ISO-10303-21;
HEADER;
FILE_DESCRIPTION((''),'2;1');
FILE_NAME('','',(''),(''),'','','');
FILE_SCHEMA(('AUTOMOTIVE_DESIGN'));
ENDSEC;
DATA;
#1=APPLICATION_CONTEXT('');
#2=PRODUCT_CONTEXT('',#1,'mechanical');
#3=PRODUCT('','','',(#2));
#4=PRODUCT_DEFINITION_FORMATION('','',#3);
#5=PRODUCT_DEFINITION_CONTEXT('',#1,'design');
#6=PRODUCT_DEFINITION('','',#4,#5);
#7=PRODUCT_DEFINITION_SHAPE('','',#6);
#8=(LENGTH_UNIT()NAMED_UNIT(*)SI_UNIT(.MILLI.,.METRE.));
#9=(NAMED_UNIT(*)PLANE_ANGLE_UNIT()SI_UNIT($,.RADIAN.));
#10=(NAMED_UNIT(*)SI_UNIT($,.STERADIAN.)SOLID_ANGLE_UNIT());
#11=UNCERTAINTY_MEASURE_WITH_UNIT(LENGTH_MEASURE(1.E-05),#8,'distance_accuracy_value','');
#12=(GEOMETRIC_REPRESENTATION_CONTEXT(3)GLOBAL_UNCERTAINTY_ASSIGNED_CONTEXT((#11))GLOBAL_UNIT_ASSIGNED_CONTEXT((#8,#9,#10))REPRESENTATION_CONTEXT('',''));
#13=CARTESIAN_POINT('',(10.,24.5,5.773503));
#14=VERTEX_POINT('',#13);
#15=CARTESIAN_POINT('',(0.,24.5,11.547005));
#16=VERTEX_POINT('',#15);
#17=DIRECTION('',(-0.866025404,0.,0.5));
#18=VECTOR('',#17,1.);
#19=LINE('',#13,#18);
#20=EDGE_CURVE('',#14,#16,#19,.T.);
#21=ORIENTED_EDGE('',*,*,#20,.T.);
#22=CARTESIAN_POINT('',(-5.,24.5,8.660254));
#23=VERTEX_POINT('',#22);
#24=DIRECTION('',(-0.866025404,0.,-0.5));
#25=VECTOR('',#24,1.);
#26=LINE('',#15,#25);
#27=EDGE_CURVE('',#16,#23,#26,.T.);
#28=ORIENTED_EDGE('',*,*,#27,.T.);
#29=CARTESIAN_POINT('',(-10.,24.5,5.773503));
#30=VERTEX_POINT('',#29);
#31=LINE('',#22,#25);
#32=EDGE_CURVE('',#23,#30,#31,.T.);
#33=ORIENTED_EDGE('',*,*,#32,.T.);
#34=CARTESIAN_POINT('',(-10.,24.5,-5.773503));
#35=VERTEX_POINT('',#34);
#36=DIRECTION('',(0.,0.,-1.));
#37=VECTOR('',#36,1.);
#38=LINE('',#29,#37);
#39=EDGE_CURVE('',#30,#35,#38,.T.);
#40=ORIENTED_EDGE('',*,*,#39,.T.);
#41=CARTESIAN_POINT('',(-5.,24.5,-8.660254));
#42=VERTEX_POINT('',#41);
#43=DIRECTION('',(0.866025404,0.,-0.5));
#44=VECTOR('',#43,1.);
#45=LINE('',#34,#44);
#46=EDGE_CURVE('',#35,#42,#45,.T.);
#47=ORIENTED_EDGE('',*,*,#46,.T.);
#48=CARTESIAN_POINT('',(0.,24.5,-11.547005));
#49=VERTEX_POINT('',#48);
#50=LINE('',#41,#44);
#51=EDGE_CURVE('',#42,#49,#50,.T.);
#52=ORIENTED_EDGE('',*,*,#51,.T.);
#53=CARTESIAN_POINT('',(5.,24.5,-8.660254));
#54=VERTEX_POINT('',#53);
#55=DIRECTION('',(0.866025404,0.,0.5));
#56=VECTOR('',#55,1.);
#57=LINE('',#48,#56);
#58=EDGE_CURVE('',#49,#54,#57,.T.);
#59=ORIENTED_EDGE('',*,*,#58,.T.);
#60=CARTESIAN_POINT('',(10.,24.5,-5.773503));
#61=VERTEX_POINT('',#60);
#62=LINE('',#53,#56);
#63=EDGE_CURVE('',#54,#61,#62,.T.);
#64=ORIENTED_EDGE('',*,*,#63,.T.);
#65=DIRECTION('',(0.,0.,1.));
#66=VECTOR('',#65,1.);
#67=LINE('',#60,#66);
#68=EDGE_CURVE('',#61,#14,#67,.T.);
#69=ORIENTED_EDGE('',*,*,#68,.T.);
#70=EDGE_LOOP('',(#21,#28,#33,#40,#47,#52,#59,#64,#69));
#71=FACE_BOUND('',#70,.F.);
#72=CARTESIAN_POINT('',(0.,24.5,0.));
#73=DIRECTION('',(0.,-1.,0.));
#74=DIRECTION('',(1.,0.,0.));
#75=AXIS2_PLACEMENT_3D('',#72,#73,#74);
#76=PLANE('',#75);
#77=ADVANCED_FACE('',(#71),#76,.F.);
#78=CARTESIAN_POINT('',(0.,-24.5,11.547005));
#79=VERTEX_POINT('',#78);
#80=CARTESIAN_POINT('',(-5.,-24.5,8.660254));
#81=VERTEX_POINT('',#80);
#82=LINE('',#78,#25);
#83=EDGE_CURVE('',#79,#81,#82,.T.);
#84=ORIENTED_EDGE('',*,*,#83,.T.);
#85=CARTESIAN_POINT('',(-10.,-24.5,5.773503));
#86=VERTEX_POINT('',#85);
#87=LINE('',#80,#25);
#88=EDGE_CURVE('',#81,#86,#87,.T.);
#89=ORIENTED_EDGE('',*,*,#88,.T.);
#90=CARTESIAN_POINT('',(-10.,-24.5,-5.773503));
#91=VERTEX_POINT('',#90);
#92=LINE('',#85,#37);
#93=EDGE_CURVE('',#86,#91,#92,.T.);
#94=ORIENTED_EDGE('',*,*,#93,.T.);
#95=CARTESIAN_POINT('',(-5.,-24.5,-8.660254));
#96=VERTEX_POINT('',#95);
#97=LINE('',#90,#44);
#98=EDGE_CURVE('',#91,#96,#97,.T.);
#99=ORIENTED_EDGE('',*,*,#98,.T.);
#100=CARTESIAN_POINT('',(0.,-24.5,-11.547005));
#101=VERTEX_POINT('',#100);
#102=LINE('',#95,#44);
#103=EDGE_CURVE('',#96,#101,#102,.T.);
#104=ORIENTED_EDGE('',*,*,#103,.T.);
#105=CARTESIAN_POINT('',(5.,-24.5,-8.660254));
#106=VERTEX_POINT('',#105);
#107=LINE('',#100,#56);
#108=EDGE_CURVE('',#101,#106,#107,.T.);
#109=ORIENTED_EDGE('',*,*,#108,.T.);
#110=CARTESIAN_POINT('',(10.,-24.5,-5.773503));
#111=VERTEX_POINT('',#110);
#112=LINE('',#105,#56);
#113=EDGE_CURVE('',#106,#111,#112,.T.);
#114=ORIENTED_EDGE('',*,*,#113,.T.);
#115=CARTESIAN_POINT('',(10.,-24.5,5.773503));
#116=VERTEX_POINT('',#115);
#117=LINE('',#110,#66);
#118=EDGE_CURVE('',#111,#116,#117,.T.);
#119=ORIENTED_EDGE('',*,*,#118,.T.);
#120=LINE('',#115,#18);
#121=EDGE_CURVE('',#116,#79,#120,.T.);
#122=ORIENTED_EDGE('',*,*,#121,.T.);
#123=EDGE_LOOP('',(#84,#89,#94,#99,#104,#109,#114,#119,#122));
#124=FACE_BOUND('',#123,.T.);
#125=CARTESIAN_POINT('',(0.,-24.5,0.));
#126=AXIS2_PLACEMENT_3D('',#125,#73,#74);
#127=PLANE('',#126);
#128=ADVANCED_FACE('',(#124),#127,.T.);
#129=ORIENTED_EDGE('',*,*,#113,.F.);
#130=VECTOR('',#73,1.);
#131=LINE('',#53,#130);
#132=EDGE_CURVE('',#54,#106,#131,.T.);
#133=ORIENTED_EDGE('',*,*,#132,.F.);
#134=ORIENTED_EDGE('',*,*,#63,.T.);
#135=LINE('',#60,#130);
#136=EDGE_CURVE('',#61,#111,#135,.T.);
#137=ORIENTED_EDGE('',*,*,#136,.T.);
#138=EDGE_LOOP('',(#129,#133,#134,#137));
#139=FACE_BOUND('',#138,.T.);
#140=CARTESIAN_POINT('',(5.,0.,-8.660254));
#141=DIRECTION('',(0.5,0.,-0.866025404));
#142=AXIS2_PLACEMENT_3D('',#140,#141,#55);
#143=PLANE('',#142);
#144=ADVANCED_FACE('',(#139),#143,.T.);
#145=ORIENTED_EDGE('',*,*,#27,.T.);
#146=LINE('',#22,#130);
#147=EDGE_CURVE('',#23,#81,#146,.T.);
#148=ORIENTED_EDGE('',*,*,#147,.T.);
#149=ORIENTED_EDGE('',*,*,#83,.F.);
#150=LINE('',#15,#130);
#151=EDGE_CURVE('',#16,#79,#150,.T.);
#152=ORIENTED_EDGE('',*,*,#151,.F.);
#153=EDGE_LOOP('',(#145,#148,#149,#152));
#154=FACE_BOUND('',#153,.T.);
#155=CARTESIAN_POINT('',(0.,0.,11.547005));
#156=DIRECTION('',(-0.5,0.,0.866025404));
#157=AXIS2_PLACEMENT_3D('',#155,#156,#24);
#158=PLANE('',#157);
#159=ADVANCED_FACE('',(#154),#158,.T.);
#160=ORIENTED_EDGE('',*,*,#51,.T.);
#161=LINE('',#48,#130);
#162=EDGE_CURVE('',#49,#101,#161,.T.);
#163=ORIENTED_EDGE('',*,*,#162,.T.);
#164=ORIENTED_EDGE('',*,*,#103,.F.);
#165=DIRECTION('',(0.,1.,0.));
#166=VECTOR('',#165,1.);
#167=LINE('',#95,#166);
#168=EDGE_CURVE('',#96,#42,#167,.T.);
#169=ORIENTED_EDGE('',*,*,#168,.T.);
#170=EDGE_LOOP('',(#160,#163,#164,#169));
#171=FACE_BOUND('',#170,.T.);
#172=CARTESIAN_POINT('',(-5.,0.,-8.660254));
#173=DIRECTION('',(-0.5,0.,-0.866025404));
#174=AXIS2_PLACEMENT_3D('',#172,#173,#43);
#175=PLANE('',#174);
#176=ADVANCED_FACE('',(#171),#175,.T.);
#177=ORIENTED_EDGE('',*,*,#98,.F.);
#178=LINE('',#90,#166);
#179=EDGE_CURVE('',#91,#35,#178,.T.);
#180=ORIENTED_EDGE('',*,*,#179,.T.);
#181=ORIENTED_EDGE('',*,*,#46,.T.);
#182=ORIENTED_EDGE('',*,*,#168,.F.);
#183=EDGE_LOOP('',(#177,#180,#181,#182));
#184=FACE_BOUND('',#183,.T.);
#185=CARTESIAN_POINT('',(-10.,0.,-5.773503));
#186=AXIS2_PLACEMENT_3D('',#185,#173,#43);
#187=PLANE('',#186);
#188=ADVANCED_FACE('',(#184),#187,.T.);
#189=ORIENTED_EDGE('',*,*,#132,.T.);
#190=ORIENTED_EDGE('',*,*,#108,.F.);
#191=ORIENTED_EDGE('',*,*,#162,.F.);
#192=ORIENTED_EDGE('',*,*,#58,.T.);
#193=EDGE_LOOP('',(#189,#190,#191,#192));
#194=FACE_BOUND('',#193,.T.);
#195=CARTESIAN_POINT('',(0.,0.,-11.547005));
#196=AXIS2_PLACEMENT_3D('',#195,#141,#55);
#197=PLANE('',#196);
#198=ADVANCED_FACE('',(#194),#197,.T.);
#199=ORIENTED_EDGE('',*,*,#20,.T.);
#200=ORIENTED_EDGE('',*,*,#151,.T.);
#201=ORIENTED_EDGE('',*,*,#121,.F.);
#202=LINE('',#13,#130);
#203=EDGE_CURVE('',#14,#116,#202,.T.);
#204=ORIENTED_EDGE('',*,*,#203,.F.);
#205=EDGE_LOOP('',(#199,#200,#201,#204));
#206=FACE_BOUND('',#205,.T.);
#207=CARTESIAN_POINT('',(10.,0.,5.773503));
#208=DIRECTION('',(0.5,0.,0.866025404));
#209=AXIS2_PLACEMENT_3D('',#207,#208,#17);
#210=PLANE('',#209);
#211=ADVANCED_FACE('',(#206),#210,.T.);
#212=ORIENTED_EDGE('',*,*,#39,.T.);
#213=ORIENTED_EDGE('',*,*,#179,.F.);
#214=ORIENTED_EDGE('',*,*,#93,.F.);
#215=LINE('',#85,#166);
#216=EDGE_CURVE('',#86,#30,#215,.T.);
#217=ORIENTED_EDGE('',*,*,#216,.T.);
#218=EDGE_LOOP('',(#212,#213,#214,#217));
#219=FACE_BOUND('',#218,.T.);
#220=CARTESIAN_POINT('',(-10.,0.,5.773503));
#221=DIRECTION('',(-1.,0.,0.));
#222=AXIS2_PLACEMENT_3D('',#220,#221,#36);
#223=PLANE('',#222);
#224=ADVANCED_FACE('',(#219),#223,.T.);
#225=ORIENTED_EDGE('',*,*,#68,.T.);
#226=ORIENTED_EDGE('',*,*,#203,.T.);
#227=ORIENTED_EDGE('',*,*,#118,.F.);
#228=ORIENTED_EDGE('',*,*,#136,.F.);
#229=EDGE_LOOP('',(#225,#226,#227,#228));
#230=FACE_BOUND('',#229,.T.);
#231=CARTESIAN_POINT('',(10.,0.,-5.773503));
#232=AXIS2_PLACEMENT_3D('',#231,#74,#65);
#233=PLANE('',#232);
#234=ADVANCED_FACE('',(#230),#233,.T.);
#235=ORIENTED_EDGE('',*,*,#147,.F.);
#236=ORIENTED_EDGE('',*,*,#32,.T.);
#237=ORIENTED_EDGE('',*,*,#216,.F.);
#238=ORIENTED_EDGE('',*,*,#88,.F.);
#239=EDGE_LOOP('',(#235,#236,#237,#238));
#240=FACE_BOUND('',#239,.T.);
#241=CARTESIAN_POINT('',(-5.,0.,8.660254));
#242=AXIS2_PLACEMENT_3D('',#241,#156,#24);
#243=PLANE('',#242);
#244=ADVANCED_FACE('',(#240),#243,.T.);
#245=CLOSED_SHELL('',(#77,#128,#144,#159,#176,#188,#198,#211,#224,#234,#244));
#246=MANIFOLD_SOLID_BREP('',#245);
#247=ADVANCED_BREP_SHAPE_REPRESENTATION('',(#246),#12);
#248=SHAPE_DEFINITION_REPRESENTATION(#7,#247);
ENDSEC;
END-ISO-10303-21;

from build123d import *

# Parameters (mm, degrees)
F1_DEPTH = 24.5


with BuildPart() as f1:
    # F0 (on Front) → F1 (new body, symmetric)
    with BuildSketch(Plane.XZ):
        with BuildLine():
            ThreePointArc((4.999999728, -8.6602541949), (8.6602539593, -5.000000136), (10, 0))
            ThreePointArc((10, 0), (8.6602540403, 4.9999999958), (5.0000000084, 8.660254033))
            ThreePointArc((5.0000000084, 8.660254033), (8.63e-08, 10), (-4.9999998589, 8.6602541193))
            ThreePointArc((-4.9999998589, 8.6602541193), (-8.6602539971, 5.0000000706), (-10, 0))
            ThreePointArc((-10, 0), (-8.660253998, -5.000000069), (-4.9999998621, -8.6602541175))
            ThreePointArc((-4.9999998621, -8.6602541175), (-7.74e-08, -10), (4.999999728, -8.6602541949))
        make_face()
        with BuildLine():
            Line((10, -5.7735026919), (10, 0))
            ThreePointArc((10, 0), (8.6602539593, -5.000000136), (4.999999728, -8.6602541949))
            Line((4.999999728, -8.6602541949), (10, -5.7735026919))
        make_face()
        with BuildLine():
            ThreePointArc((5.0000000084, 8.660254033), (8.6602540403, 4.9999999958), (10, 0))
            Line((10, 0), (10, 5.7735026919))
            Line((10, 5.7735026919), (5.0000000084, 8.660254033))
        make_face()
        with BuildLine():
            ThreePointArc((-4.9999998589, 8.6602541193), (8.63e-08, 10), (5.0000000084, 8.660254033))
            Line((5.0000000084, 8.660254033), (0, 11.5470053838))
            Line((0, 11.5470053838), (-4.9999998589, 8.6602541193))
        make_face()
        with BuildLine():
            Line((0, -11.5470053838), (4.999999728, -8.6602541949))
            ThreePointArc((4.999999728, -8.6602541949), (-7.74e-08, -10), (-4.9999998621, -8.6602541175))
            Line((-4.9999998621, -8.6602541175), (0, -11.5470053838))
        make_face()
        with BuildLine():
            ThreePointArc((-10, 0), (-8.6602539971, 5.0000000706), (-4.9999998589, 8.6602541193))
            Line((-4.9999998589, 8.6602541193), (-10, 5.7735026919))
            Line((-10, 5.7735026919), (-10, 0))
        make_face()
        with BuildLine():
            Line((-10, -5.7735026919), (-4.9999998621, -8.6602541175))
            ThreePointArc((-4.9999998621, -8.6602541175), (-8.660253998, -5.000000069), (-10, 0))
            Line((-10, 0), (-10, -5.7735026919))
        make_face()
    extrude(amount=F1_DEPTH, both=True)


solid = f1.part
